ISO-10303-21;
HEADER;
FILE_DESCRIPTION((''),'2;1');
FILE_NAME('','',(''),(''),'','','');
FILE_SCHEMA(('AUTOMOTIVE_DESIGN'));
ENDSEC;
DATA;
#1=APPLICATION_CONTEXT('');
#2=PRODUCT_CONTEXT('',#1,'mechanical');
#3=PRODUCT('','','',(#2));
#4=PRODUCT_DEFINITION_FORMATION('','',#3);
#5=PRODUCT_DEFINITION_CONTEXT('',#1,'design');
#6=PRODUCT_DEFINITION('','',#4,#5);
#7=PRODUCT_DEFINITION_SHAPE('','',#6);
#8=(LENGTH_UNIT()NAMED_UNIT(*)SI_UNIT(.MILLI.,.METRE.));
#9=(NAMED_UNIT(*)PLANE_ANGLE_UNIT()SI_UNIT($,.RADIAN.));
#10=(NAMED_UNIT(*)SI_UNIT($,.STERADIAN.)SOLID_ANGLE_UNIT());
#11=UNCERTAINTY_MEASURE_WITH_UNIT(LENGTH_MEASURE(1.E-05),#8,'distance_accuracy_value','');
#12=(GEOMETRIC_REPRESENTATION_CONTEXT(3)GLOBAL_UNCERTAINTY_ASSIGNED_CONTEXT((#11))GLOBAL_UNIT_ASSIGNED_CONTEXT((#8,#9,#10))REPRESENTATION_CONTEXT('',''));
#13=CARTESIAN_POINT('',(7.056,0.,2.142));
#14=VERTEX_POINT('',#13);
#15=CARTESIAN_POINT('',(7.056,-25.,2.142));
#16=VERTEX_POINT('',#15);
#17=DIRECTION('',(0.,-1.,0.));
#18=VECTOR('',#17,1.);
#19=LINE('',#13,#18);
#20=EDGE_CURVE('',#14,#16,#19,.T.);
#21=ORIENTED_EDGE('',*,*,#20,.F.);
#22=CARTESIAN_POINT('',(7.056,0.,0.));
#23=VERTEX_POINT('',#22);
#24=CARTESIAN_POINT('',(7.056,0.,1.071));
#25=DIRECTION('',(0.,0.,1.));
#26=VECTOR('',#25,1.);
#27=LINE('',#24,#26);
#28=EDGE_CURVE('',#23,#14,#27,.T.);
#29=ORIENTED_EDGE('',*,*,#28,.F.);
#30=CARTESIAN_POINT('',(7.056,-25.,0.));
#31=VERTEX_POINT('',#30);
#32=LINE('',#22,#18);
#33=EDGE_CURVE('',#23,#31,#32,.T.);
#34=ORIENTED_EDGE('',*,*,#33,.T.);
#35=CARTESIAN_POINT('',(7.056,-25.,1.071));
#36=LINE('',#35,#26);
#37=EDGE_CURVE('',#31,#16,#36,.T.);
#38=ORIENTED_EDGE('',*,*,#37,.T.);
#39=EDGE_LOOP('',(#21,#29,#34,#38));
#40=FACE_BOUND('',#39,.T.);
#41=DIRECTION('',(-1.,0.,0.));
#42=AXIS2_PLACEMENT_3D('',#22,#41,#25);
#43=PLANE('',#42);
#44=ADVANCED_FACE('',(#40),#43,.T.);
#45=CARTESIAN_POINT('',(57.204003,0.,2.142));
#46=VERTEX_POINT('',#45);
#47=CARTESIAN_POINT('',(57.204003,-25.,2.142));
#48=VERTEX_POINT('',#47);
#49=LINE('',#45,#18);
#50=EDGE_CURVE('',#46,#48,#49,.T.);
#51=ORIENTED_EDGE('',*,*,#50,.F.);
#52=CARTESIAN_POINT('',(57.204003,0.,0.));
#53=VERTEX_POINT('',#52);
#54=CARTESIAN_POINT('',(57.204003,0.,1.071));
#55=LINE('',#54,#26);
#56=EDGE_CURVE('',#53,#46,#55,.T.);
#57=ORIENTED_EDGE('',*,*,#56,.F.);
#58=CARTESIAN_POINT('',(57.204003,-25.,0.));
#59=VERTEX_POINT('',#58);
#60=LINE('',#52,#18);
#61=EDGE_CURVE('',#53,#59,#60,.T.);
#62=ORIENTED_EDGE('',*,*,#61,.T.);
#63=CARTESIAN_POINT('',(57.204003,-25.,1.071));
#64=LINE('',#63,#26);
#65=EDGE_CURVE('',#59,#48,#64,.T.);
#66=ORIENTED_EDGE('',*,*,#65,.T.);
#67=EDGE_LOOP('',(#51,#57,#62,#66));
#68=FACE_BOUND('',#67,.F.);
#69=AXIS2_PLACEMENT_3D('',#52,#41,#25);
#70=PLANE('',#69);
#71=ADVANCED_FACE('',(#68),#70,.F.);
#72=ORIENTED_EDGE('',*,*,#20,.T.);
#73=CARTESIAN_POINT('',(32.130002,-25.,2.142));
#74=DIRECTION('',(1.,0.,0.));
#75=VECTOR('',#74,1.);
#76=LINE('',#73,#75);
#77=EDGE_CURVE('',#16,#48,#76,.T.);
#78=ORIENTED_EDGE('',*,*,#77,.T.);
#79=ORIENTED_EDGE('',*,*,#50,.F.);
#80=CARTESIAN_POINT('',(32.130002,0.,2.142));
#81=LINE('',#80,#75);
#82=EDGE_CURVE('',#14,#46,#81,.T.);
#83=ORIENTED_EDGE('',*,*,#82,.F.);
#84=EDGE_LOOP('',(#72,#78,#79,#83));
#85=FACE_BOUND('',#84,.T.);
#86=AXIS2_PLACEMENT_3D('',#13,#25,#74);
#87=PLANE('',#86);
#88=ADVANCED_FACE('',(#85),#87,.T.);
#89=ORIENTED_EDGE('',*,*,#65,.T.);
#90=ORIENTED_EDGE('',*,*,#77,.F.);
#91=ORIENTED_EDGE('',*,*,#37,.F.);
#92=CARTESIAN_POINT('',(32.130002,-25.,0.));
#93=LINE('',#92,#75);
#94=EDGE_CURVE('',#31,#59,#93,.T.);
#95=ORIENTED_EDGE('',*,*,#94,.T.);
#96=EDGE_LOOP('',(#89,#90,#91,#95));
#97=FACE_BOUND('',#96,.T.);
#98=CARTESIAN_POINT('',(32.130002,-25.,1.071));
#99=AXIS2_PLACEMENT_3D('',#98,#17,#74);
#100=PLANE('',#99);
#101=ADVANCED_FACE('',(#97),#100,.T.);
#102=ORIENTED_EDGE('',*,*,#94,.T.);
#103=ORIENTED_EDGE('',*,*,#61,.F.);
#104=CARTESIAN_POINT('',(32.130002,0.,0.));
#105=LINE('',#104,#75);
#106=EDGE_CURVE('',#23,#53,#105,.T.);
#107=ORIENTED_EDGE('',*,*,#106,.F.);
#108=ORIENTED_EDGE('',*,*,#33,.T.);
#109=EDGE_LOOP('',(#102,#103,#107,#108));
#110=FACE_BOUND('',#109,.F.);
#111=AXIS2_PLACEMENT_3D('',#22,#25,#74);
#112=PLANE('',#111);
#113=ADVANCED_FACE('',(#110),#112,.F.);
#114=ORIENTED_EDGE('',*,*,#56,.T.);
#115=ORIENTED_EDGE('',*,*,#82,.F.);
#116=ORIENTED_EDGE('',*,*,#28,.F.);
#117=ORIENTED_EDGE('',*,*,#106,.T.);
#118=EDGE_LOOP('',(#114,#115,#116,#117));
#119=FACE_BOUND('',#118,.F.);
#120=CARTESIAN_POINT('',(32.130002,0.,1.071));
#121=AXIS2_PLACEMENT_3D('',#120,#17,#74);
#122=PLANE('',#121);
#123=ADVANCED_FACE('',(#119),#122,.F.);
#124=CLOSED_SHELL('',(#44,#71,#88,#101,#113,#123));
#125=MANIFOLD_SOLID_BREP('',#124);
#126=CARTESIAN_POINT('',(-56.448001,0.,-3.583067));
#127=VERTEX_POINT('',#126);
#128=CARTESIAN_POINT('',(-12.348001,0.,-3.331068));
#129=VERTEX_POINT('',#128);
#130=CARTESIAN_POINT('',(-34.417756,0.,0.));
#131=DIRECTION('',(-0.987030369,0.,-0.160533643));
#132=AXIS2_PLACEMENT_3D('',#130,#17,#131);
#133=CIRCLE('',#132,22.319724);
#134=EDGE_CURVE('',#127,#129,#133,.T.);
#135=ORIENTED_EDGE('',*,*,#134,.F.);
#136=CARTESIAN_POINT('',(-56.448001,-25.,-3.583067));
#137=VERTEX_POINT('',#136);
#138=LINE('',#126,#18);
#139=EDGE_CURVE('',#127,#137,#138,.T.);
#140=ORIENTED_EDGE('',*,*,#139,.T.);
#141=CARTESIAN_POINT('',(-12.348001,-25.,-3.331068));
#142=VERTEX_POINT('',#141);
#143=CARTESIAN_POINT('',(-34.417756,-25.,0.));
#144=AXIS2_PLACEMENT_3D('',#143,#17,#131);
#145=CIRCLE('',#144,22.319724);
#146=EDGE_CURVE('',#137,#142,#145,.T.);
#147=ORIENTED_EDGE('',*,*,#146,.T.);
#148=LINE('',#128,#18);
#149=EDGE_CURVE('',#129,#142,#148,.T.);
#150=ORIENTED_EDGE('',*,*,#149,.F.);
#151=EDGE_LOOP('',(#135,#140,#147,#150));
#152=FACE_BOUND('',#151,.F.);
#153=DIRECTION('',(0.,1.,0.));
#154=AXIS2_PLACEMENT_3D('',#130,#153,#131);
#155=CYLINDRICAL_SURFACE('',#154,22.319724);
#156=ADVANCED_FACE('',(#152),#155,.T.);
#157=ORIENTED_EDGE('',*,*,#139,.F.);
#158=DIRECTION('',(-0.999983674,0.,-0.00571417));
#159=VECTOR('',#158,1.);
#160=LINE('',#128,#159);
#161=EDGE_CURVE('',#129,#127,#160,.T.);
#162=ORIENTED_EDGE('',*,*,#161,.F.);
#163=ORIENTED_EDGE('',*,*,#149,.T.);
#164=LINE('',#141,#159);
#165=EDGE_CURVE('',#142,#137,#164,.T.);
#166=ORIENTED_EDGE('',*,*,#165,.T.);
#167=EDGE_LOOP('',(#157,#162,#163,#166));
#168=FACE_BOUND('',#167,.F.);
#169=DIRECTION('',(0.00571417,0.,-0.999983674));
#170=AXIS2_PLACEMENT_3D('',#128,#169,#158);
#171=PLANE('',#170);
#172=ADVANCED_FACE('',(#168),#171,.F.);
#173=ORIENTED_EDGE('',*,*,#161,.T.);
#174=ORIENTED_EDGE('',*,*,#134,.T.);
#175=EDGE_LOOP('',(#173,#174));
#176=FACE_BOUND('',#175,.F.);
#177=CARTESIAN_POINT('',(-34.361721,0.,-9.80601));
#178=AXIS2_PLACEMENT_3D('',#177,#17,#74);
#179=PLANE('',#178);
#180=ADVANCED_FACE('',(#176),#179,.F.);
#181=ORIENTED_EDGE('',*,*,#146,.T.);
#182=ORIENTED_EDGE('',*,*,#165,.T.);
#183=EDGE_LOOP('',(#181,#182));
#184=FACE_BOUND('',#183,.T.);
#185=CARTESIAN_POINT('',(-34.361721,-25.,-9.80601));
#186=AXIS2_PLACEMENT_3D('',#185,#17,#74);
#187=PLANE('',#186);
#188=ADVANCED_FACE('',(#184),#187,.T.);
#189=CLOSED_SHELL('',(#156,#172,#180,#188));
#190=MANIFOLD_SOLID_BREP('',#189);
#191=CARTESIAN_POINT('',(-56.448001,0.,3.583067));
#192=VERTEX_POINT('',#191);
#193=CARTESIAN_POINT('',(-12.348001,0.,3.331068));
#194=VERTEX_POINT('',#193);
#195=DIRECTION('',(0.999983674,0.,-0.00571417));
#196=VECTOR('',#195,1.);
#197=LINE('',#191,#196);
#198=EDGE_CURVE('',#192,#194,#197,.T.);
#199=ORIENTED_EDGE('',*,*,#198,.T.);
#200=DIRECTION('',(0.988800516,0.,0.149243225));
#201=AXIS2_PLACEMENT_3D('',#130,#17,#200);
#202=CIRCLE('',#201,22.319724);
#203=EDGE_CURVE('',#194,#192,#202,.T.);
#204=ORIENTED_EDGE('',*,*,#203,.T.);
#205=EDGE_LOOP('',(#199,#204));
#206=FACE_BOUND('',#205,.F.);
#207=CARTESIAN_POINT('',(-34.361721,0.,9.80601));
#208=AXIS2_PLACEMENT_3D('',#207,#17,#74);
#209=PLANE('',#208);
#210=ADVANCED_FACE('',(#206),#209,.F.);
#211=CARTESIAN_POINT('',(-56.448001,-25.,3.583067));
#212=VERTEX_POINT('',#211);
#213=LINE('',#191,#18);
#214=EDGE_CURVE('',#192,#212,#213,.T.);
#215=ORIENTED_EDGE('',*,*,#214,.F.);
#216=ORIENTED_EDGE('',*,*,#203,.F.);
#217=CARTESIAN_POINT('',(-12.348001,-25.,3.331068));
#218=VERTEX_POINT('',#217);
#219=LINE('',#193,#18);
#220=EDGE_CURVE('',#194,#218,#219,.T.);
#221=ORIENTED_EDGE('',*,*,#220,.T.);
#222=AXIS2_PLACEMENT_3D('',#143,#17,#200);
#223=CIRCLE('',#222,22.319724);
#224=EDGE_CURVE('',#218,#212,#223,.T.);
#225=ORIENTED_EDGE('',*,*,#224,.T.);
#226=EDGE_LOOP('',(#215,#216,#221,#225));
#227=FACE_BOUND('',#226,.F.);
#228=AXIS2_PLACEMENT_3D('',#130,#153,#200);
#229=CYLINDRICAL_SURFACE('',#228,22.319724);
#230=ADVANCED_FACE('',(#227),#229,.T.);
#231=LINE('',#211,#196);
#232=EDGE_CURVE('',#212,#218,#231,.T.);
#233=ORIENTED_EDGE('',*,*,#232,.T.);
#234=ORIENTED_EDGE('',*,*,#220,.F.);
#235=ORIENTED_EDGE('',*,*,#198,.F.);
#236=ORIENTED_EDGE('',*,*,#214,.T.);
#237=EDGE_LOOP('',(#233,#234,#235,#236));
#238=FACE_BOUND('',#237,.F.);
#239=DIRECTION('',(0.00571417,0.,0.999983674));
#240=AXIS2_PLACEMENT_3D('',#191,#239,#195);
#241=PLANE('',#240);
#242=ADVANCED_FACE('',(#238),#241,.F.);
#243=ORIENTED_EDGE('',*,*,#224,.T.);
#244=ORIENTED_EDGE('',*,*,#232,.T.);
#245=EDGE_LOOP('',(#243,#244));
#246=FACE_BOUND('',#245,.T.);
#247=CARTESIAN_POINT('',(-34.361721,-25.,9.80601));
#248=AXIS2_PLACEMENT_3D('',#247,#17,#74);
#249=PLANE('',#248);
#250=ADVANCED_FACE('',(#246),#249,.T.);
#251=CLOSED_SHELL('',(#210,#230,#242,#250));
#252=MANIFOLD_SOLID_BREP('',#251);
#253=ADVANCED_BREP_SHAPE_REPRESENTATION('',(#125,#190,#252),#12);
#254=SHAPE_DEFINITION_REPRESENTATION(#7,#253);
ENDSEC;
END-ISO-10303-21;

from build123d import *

# Parameters (mm, degrees)
F0_W     = 50.148003
F0_H     = 2.142
F1_DEPTH = 25


with BuildPart() as f1:
    # F0 (on Front) → F1 (new body)
    with BuildSketch(Plane.XZ):
        with BuildLine():
            Line((-56.448001, 3.583067), (-12.348001, 3.331068))
            ThreePointArc((-12.348001, 3.331068), (-34.290217, 22.31936), (-56.448001, 3.583067))
        make_face()
        with BuildLine():
            Line((-12.348001, -3.331068), (-56.448001, -3.583067))
            ThreePointArc((-56.448001, -3.583067), (-34.290217, -22.31936), (-12.348001, -3.331068))
        make_face()
        with Locations((32.130002, 1.071)):
            Rectangle(F0_W, F0_H)
    extrude(amount=F1_DEPTH)


solid = f1.part
